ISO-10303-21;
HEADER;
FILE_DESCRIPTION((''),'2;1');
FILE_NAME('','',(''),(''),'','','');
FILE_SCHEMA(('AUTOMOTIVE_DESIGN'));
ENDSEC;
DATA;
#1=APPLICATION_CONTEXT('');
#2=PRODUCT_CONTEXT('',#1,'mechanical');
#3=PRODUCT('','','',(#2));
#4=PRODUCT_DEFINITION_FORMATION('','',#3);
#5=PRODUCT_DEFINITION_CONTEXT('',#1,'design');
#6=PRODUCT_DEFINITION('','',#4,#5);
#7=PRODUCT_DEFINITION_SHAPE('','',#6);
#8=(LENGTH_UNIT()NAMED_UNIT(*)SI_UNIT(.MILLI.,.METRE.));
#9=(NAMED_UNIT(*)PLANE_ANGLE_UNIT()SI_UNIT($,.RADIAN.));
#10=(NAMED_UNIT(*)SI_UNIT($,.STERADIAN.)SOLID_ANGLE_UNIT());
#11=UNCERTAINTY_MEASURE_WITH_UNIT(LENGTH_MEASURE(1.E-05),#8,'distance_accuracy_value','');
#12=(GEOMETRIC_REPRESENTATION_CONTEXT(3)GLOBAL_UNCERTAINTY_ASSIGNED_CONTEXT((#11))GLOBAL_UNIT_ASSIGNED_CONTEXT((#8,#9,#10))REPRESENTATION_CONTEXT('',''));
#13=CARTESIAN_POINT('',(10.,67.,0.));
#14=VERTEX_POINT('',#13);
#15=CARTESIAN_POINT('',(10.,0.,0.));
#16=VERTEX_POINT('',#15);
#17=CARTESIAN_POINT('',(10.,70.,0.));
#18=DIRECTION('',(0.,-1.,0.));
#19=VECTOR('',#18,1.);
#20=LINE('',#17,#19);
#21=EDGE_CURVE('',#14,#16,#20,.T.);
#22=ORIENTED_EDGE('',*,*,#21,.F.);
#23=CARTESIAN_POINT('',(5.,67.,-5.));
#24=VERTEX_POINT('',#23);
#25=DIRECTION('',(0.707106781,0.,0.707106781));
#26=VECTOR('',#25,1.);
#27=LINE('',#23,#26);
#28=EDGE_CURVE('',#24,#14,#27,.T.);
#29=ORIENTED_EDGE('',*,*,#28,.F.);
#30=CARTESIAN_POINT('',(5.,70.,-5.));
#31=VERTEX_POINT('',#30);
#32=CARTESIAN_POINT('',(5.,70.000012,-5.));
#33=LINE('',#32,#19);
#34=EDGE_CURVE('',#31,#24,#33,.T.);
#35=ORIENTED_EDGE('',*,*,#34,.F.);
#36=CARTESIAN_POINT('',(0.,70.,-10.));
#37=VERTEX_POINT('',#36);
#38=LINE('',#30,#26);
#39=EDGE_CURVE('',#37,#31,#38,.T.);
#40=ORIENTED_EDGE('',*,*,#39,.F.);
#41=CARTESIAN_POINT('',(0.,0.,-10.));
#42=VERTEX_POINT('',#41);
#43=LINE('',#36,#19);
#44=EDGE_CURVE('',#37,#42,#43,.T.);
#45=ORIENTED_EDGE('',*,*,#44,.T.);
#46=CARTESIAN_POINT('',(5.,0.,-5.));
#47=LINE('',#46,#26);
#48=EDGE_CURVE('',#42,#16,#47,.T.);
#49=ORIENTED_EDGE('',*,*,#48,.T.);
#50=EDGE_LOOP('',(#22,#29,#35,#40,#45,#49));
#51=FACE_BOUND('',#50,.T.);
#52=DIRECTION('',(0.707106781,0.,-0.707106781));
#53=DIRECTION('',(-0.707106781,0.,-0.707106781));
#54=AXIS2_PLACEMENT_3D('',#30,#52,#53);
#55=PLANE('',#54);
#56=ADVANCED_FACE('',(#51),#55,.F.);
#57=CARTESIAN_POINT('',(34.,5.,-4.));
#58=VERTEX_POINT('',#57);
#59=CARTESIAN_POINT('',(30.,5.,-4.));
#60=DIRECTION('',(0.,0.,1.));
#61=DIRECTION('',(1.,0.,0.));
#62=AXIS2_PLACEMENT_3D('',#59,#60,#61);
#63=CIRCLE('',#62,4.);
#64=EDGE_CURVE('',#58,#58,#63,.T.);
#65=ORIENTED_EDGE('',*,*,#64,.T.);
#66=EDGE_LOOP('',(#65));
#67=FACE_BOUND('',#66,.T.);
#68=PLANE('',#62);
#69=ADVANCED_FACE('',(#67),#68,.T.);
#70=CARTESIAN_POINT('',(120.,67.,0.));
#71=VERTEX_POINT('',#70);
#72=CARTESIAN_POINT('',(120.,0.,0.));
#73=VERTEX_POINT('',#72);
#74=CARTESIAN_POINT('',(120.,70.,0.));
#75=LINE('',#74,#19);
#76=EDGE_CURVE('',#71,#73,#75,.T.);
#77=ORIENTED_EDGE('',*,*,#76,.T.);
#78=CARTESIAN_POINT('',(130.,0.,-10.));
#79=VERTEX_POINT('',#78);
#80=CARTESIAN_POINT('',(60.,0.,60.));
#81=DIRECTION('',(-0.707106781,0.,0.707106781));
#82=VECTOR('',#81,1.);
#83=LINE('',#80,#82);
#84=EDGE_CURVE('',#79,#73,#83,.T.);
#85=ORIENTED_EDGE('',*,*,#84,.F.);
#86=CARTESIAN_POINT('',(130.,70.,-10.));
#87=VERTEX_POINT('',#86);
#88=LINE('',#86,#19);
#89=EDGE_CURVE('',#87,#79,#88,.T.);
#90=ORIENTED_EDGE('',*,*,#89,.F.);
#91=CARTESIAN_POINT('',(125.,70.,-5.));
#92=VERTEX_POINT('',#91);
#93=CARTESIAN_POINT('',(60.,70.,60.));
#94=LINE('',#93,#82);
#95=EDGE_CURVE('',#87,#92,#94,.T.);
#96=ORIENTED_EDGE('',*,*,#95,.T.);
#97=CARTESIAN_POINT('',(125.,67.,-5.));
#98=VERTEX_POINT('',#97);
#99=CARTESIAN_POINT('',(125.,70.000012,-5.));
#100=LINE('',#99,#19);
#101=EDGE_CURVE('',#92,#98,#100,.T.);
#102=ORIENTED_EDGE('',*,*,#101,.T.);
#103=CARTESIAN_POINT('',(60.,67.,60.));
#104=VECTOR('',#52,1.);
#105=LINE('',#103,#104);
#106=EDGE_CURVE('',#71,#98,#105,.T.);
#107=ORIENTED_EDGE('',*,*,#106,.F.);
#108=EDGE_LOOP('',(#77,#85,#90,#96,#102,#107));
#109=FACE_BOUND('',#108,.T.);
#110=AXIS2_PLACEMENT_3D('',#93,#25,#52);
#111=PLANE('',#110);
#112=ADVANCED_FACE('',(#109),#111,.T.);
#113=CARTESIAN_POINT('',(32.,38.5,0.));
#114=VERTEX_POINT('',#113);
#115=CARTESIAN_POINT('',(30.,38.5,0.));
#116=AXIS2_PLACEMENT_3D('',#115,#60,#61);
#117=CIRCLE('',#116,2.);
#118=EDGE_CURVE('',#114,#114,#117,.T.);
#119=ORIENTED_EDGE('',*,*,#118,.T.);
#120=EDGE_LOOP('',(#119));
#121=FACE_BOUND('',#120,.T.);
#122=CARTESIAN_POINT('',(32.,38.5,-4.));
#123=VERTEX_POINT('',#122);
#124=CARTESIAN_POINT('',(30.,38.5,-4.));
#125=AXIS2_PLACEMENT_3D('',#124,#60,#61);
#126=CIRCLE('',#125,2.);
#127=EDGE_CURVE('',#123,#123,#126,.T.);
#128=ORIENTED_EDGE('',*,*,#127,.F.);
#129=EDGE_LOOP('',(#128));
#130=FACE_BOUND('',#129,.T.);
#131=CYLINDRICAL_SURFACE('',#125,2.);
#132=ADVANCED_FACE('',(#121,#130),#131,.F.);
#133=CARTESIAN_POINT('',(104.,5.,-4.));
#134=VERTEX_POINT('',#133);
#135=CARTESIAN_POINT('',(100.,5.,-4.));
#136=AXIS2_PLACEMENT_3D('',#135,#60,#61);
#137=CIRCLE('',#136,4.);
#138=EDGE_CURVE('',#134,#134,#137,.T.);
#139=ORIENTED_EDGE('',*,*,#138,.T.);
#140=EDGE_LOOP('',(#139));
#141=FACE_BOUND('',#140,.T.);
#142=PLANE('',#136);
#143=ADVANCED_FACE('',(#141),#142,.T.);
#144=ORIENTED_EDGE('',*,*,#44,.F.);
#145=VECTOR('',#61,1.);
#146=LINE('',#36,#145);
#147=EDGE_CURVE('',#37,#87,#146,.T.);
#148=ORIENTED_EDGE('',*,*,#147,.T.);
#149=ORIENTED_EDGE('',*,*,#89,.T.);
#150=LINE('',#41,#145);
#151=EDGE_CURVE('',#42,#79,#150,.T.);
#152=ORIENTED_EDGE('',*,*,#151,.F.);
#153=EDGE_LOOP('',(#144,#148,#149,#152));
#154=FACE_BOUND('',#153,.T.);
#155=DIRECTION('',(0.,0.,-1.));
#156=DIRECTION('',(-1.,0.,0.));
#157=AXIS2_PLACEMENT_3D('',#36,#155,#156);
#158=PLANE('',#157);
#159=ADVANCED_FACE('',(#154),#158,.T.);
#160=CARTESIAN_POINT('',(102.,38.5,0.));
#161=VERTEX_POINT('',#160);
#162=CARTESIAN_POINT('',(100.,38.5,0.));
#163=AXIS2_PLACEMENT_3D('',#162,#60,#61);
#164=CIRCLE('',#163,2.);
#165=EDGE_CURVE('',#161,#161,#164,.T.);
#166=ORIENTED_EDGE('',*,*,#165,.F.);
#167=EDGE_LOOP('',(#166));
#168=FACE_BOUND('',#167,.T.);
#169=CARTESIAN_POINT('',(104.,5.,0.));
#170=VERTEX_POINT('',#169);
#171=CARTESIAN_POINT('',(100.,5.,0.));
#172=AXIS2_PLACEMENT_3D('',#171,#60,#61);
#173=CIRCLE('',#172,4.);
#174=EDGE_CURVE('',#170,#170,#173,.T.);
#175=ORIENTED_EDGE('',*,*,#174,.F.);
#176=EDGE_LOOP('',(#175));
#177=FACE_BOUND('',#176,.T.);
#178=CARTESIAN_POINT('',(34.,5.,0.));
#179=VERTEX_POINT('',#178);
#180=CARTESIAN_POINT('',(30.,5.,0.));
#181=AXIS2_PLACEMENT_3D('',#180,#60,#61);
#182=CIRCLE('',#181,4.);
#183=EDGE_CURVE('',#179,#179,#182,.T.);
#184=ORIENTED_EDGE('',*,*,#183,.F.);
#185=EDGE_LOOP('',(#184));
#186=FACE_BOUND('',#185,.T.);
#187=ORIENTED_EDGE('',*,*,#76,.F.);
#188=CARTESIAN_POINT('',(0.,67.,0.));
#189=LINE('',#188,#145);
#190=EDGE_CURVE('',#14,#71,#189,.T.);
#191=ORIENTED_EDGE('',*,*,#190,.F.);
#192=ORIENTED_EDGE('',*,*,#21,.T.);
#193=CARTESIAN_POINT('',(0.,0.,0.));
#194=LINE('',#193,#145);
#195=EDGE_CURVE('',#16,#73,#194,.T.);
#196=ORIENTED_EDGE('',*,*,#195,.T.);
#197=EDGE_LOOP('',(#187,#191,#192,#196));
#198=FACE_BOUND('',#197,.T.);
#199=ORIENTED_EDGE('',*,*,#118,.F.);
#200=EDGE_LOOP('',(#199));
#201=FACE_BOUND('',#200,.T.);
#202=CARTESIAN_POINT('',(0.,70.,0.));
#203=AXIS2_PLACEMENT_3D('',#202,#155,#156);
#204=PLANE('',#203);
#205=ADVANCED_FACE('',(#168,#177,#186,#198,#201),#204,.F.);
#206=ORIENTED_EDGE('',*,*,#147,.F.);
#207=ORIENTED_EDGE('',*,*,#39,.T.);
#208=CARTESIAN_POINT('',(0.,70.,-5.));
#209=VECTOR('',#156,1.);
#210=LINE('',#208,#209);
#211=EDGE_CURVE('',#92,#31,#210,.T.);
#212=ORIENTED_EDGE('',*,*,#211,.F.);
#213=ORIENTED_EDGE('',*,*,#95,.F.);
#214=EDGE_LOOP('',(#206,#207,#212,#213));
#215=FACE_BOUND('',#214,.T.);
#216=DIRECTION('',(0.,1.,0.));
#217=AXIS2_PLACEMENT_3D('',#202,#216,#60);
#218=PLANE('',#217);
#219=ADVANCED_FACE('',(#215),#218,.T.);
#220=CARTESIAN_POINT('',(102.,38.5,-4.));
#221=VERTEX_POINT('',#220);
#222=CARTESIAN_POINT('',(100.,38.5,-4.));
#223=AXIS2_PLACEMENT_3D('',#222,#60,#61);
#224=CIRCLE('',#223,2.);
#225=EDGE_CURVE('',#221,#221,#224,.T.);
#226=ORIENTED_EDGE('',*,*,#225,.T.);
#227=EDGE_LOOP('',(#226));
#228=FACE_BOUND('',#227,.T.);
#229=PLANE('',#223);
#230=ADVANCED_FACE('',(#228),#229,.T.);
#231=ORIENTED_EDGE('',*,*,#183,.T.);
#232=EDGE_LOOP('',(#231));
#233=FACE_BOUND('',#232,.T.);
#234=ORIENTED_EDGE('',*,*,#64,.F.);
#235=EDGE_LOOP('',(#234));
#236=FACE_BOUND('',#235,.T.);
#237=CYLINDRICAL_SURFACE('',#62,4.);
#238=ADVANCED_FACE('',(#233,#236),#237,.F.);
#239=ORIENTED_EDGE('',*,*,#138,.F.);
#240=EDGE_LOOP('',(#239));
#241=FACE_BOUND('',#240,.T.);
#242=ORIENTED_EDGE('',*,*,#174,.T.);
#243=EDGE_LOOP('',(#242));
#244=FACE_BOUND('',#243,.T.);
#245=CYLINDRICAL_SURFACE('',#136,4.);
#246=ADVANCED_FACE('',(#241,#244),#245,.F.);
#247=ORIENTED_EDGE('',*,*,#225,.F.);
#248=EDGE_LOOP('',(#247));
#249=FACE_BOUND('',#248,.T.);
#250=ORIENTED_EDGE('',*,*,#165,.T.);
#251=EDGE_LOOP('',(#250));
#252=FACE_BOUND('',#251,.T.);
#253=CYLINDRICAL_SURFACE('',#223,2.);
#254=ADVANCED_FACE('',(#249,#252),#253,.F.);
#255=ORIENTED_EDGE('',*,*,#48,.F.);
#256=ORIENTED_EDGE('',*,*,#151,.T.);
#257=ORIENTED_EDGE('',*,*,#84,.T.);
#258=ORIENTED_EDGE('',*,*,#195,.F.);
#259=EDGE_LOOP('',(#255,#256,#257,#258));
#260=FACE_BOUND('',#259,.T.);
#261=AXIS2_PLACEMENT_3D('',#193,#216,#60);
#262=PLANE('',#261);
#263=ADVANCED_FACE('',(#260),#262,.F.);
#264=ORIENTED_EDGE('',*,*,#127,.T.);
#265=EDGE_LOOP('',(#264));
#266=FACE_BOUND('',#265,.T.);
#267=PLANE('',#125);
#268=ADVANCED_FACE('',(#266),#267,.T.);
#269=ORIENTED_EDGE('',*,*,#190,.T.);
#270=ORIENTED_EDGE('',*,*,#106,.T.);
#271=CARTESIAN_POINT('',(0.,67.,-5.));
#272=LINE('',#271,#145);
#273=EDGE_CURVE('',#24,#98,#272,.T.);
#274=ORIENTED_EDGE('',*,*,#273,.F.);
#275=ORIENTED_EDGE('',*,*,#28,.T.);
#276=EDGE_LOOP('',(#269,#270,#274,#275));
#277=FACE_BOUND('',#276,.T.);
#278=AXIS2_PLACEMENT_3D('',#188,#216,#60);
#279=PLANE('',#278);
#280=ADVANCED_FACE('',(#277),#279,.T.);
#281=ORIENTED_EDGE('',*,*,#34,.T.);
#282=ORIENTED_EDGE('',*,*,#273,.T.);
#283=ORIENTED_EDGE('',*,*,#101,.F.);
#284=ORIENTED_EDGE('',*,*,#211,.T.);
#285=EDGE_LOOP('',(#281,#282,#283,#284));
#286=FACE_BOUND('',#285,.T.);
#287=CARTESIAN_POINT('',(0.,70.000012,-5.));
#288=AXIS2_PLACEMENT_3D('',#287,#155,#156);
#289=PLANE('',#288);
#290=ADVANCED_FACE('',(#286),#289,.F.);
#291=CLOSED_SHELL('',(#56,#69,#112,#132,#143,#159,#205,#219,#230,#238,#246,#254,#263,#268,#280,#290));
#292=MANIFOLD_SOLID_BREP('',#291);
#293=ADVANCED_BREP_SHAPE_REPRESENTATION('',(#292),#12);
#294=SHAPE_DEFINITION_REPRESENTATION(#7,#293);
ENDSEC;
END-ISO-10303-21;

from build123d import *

# Parameters (mm, degrees)
BOSS_EXTRUDE1_DEPTH     = 70
CUT_EXTRUDE1_DEPTH      = 148.986485869
CUT_EXTRUDE1_DEPTH_BACK = 3
SKETCH3_R               = 4
CUT_EXTRUDE2_DEPTH      = 4
SKETCH4_R               = 2
CUT_EXTRUDE3_DEPTH      = 4


with BuildPart() as part:
    # Sketch1 → Boss-Extrude1 (new body)
    with BuildSketch(Plane(origin=(0, 0, 0), x_dir=(1, 0, 0), z_dir=(0, 1, 0))):
        Polygon((130, 10), (0, 10), (10, 0), (120, 0), align=None)
    extrude(amount=BOSS_EXTRUDE1_DEPTH)

    # Sketch2 → Cut-Extrude1 (cut, two sides: drawn at the far end of the back side and taken through both)
    with BuildSketch(Plane(origin=(0, 70, 0), x_dir=(1, 0, 0), z_dir=(0, 1, 0)).offset(-CUT_EXTRUDE1_DEPTH_BACK)):
        Polygon((125, 5), (5, 5), (10, 0), (120, 0), align=None)
    extrude(amount=CUT_EXTRUDE1_DEPTH + CUT_EXTRUDE1_DEPTH_BACK, mode=Mode.SUBTRACT)

    # Sketch3 → Cut-Extrude2 (cut)
    with BuildSketch(Plane.XY):
        with Locations((30, 5)):
            Circle(SKETCH3_R)
        with Locations((100, 5)):
            Circle(SKETCH3_R)
    extrude(amount=-CUT_EXTRUDE2_DEPTH, mode=Mode.SUBTRACT)

    # Sketch4 → Cut-Extrude3 (cut)
    with BuildSketch(Plane.XY):
        with Locations((30, 38.5)):
            Circle(SKETCH4_R)
        with Locations((100, 38.5)):
            Circle(SKETCH4_R)
    extrude(amount=-CUT_EXTRUDE3_DEPTH, mode=Mode.SUBTRACT)


solid = part.part
